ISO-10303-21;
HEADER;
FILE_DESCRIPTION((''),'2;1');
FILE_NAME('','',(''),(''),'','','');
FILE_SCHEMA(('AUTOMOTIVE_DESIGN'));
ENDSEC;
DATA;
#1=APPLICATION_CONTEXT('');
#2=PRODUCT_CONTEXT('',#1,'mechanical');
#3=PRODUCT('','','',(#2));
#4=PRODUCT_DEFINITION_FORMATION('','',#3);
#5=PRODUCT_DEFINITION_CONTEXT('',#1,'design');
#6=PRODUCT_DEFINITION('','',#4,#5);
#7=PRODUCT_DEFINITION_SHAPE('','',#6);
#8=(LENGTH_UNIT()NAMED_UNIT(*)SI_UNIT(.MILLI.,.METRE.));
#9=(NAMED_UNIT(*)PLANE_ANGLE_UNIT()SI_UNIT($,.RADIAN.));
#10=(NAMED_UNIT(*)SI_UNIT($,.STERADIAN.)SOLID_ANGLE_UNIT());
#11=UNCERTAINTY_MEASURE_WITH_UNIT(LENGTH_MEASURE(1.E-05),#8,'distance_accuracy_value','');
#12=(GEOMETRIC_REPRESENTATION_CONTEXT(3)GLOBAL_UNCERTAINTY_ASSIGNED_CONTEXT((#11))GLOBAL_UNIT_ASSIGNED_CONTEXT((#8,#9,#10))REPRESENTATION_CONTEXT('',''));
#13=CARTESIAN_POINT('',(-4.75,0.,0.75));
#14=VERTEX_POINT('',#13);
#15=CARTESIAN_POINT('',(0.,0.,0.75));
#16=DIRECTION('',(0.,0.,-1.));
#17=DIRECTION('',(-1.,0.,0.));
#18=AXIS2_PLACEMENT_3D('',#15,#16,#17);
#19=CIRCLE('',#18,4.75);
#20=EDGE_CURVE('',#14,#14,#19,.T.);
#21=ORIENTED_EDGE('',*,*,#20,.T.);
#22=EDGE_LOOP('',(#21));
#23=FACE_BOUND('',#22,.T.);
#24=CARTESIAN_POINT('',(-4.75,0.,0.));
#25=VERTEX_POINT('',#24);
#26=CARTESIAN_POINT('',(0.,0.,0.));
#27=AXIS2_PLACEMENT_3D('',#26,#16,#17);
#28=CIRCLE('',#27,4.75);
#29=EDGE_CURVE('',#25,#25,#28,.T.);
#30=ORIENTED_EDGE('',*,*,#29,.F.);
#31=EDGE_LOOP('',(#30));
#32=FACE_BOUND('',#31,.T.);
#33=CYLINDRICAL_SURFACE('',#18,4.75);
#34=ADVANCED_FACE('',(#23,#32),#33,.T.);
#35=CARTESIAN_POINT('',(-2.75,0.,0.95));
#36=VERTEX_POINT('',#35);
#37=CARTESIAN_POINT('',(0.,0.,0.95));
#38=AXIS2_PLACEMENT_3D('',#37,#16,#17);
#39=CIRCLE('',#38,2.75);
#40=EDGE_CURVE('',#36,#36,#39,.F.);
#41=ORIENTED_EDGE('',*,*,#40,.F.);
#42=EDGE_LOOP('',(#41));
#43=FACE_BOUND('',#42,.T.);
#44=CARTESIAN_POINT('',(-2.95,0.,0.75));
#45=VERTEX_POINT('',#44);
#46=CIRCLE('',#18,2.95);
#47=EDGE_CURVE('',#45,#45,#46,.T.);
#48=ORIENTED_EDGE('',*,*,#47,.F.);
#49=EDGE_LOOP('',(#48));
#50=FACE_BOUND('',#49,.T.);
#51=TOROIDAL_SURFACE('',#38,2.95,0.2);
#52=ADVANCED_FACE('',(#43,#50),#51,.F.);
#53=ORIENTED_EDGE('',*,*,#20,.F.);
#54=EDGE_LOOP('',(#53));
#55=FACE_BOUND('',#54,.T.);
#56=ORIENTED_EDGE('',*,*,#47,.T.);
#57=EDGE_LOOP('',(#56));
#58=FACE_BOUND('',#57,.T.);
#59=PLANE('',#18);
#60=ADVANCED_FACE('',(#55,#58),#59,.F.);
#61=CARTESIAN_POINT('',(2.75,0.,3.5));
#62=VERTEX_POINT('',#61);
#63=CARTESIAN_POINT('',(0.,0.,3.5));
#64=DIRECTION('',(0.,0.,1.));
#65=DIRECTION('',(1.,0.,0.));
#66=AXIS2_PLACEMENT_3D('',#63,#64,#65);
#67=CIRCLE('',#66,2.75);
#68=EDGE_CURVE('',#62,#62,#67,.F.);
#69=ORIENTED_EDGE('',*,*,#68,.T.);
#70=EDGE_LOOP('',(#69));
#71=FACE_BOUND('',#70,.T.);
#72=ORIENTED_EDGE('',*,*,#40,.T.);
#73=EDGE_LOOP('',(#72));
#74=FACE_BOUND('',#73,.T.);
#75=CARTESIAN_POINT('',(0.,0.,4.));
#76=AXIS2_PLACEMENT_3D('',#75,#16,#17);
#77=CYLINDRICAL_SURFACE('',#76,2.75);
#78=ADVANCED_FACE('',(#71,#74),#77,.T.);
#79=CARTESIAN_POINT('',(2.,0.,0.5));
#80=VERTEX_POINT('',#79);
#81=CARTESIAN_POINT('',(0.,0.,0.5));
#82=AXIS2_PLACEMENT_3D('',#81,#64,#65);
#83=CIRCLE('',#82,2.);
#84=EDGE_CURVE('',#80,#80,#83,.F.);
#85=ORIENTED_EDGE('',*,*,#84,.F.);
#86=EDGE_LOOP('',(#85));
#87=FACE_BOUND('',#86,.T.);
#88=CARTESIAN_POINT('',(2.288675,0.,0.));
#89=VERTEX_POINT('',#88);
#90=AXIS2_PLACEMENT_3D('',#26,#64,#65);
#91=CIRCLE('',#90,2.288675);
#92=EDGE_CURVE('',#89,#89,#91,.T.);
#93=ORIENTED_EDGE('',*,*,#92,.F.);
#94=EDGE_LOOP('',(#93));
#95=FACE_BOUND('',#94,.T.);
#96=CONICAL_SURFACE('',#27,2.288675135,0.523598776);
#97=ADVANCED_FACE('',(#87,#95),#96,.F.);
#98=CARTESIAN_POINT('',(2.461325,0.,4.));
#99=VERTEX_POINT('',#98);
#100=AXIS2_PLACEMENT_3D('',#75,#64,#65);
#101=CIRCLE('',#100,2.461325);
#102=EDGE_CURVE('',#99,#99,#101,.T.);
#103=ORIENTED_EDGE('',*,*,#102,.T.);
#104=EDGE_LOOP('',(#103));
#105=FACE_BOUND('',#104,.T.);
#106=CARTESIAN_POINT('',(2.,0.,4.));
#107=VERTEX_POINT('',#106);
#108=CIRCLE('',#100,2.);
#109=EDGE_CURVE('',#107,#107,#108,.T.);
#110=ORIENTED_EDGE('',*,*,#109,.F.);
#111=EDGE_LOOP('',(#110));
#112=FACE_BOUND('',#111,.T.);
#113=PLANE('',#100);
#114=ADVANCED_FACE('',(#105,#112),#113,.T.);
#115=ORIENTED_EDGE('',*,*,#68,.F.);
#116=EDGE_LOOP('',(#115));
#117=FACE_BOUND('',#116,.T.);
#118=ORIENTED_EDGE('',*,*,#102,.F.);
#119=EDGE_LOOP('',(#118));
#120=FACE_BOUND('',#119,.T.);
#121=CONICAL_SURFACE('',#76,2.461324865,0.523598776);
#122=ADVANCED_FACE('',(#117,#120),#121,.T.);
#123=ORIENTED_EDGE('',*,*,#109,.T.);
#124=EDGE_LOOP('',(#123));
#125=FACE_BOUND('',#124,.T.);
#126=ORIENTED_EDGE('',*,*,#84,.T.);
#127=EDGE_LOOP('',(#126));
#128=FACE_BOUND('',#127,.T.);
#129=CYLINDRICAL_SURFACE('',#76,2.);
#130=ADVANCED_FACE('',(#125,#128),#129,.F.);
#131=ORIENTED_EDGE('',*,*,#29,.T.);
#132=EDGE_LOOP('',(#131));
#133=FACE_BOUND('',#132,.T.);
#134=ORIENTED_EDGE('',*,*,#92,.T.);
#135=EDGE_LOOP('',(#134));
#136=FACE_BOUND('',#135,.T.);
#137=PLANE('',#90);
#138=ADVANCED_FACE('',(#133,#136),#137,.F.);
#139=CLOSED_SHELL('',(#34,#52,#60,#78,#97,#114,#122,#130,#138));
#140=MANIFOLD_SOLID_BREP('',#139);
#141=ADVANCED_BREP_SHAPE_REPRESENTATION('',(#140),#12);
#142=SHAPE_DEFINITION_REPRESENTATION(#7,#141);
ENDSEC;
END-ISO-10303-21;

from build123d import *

# Parameters (mm, degrees)
SKICA1_R        = 2.75
SKICA1_R_2      = 2
VYSUNOUT1_DEPTH = 4
SKICA2_R        = 4.75
SKICA2_R_2      = 2.75
VYSUNOUT2_DEPTH = 0.75
ZAOBLIT1_R      = 0.2
ZKOSIT1_SIZE    = 0.5
ZKOSIT1_SIZE2   = 0.288675135
ZKOSIT2_SIZE    = 0.288675135
ZKOSIT2_SIZE2   = 0.5


with BuildPart() as part:
    # Skica1 → Vysunout1 (new body)
    with BuildSketch(Plane.XY):
        Circle(SKICA1_R)
        Circle(SKICA1_R_2, mode=Mode.SUBTRACT)
    extrude(amount=VYSUNOUT1_DEPTH)

    # Skica2 → Vysunout2 (add)
    with BuildSketch(Plane(origin=(0, 0, 0), x_dir=(-1, 0, 0), z_dir=(0, 0, -1))):
        Circle(SKICA2_R)
        Circle(SKICA2_R_2, mode=Mode.SUBTRACT)
    extrude(amount=-VYSUNOUT2_DEPTH)

    # Zaoblit1
    zaoblit1_edges = [part.edges().sort_by_distance(p)[0] for p in [
        (-2.75, 0, 0.75),
    ]]
    fillet(zaoblit1_edges, radius=ZAOBLIT1_R)

    # Zkosit1
    zkosit1_edges = [part.edges().sort_by_distance(p)[0] for p in [
        (-2, 0, 0),
    ]]
    zkosit1_side = [part.faces().sort_by_distance(p)[0] for p in [
        (-2, 0, 2),
    ]]
    chamfer(zkosit1_edges, length=ZKOSIT1_SIZE, length2=ZKOSIT1_SIZE2, reference=zkosit1_side[0])

    # Zkosit2
    zkosit2_edges = [part.edges().sort_by_distance(p)[0] for p in [
        (-2.75, 0, 4),
    ]]
    zkosit2_side = [part.faces().sort_by_distance(p)[0] for p in [
        (-2.672218254, 0, 4),
    ]]
    chamfer(zkosit2_edges, length=ZKOSIT2_SIZE, length2=ZKOSIT2_SIZE2, reference=zkosit2_side[0])


solid = part.part
